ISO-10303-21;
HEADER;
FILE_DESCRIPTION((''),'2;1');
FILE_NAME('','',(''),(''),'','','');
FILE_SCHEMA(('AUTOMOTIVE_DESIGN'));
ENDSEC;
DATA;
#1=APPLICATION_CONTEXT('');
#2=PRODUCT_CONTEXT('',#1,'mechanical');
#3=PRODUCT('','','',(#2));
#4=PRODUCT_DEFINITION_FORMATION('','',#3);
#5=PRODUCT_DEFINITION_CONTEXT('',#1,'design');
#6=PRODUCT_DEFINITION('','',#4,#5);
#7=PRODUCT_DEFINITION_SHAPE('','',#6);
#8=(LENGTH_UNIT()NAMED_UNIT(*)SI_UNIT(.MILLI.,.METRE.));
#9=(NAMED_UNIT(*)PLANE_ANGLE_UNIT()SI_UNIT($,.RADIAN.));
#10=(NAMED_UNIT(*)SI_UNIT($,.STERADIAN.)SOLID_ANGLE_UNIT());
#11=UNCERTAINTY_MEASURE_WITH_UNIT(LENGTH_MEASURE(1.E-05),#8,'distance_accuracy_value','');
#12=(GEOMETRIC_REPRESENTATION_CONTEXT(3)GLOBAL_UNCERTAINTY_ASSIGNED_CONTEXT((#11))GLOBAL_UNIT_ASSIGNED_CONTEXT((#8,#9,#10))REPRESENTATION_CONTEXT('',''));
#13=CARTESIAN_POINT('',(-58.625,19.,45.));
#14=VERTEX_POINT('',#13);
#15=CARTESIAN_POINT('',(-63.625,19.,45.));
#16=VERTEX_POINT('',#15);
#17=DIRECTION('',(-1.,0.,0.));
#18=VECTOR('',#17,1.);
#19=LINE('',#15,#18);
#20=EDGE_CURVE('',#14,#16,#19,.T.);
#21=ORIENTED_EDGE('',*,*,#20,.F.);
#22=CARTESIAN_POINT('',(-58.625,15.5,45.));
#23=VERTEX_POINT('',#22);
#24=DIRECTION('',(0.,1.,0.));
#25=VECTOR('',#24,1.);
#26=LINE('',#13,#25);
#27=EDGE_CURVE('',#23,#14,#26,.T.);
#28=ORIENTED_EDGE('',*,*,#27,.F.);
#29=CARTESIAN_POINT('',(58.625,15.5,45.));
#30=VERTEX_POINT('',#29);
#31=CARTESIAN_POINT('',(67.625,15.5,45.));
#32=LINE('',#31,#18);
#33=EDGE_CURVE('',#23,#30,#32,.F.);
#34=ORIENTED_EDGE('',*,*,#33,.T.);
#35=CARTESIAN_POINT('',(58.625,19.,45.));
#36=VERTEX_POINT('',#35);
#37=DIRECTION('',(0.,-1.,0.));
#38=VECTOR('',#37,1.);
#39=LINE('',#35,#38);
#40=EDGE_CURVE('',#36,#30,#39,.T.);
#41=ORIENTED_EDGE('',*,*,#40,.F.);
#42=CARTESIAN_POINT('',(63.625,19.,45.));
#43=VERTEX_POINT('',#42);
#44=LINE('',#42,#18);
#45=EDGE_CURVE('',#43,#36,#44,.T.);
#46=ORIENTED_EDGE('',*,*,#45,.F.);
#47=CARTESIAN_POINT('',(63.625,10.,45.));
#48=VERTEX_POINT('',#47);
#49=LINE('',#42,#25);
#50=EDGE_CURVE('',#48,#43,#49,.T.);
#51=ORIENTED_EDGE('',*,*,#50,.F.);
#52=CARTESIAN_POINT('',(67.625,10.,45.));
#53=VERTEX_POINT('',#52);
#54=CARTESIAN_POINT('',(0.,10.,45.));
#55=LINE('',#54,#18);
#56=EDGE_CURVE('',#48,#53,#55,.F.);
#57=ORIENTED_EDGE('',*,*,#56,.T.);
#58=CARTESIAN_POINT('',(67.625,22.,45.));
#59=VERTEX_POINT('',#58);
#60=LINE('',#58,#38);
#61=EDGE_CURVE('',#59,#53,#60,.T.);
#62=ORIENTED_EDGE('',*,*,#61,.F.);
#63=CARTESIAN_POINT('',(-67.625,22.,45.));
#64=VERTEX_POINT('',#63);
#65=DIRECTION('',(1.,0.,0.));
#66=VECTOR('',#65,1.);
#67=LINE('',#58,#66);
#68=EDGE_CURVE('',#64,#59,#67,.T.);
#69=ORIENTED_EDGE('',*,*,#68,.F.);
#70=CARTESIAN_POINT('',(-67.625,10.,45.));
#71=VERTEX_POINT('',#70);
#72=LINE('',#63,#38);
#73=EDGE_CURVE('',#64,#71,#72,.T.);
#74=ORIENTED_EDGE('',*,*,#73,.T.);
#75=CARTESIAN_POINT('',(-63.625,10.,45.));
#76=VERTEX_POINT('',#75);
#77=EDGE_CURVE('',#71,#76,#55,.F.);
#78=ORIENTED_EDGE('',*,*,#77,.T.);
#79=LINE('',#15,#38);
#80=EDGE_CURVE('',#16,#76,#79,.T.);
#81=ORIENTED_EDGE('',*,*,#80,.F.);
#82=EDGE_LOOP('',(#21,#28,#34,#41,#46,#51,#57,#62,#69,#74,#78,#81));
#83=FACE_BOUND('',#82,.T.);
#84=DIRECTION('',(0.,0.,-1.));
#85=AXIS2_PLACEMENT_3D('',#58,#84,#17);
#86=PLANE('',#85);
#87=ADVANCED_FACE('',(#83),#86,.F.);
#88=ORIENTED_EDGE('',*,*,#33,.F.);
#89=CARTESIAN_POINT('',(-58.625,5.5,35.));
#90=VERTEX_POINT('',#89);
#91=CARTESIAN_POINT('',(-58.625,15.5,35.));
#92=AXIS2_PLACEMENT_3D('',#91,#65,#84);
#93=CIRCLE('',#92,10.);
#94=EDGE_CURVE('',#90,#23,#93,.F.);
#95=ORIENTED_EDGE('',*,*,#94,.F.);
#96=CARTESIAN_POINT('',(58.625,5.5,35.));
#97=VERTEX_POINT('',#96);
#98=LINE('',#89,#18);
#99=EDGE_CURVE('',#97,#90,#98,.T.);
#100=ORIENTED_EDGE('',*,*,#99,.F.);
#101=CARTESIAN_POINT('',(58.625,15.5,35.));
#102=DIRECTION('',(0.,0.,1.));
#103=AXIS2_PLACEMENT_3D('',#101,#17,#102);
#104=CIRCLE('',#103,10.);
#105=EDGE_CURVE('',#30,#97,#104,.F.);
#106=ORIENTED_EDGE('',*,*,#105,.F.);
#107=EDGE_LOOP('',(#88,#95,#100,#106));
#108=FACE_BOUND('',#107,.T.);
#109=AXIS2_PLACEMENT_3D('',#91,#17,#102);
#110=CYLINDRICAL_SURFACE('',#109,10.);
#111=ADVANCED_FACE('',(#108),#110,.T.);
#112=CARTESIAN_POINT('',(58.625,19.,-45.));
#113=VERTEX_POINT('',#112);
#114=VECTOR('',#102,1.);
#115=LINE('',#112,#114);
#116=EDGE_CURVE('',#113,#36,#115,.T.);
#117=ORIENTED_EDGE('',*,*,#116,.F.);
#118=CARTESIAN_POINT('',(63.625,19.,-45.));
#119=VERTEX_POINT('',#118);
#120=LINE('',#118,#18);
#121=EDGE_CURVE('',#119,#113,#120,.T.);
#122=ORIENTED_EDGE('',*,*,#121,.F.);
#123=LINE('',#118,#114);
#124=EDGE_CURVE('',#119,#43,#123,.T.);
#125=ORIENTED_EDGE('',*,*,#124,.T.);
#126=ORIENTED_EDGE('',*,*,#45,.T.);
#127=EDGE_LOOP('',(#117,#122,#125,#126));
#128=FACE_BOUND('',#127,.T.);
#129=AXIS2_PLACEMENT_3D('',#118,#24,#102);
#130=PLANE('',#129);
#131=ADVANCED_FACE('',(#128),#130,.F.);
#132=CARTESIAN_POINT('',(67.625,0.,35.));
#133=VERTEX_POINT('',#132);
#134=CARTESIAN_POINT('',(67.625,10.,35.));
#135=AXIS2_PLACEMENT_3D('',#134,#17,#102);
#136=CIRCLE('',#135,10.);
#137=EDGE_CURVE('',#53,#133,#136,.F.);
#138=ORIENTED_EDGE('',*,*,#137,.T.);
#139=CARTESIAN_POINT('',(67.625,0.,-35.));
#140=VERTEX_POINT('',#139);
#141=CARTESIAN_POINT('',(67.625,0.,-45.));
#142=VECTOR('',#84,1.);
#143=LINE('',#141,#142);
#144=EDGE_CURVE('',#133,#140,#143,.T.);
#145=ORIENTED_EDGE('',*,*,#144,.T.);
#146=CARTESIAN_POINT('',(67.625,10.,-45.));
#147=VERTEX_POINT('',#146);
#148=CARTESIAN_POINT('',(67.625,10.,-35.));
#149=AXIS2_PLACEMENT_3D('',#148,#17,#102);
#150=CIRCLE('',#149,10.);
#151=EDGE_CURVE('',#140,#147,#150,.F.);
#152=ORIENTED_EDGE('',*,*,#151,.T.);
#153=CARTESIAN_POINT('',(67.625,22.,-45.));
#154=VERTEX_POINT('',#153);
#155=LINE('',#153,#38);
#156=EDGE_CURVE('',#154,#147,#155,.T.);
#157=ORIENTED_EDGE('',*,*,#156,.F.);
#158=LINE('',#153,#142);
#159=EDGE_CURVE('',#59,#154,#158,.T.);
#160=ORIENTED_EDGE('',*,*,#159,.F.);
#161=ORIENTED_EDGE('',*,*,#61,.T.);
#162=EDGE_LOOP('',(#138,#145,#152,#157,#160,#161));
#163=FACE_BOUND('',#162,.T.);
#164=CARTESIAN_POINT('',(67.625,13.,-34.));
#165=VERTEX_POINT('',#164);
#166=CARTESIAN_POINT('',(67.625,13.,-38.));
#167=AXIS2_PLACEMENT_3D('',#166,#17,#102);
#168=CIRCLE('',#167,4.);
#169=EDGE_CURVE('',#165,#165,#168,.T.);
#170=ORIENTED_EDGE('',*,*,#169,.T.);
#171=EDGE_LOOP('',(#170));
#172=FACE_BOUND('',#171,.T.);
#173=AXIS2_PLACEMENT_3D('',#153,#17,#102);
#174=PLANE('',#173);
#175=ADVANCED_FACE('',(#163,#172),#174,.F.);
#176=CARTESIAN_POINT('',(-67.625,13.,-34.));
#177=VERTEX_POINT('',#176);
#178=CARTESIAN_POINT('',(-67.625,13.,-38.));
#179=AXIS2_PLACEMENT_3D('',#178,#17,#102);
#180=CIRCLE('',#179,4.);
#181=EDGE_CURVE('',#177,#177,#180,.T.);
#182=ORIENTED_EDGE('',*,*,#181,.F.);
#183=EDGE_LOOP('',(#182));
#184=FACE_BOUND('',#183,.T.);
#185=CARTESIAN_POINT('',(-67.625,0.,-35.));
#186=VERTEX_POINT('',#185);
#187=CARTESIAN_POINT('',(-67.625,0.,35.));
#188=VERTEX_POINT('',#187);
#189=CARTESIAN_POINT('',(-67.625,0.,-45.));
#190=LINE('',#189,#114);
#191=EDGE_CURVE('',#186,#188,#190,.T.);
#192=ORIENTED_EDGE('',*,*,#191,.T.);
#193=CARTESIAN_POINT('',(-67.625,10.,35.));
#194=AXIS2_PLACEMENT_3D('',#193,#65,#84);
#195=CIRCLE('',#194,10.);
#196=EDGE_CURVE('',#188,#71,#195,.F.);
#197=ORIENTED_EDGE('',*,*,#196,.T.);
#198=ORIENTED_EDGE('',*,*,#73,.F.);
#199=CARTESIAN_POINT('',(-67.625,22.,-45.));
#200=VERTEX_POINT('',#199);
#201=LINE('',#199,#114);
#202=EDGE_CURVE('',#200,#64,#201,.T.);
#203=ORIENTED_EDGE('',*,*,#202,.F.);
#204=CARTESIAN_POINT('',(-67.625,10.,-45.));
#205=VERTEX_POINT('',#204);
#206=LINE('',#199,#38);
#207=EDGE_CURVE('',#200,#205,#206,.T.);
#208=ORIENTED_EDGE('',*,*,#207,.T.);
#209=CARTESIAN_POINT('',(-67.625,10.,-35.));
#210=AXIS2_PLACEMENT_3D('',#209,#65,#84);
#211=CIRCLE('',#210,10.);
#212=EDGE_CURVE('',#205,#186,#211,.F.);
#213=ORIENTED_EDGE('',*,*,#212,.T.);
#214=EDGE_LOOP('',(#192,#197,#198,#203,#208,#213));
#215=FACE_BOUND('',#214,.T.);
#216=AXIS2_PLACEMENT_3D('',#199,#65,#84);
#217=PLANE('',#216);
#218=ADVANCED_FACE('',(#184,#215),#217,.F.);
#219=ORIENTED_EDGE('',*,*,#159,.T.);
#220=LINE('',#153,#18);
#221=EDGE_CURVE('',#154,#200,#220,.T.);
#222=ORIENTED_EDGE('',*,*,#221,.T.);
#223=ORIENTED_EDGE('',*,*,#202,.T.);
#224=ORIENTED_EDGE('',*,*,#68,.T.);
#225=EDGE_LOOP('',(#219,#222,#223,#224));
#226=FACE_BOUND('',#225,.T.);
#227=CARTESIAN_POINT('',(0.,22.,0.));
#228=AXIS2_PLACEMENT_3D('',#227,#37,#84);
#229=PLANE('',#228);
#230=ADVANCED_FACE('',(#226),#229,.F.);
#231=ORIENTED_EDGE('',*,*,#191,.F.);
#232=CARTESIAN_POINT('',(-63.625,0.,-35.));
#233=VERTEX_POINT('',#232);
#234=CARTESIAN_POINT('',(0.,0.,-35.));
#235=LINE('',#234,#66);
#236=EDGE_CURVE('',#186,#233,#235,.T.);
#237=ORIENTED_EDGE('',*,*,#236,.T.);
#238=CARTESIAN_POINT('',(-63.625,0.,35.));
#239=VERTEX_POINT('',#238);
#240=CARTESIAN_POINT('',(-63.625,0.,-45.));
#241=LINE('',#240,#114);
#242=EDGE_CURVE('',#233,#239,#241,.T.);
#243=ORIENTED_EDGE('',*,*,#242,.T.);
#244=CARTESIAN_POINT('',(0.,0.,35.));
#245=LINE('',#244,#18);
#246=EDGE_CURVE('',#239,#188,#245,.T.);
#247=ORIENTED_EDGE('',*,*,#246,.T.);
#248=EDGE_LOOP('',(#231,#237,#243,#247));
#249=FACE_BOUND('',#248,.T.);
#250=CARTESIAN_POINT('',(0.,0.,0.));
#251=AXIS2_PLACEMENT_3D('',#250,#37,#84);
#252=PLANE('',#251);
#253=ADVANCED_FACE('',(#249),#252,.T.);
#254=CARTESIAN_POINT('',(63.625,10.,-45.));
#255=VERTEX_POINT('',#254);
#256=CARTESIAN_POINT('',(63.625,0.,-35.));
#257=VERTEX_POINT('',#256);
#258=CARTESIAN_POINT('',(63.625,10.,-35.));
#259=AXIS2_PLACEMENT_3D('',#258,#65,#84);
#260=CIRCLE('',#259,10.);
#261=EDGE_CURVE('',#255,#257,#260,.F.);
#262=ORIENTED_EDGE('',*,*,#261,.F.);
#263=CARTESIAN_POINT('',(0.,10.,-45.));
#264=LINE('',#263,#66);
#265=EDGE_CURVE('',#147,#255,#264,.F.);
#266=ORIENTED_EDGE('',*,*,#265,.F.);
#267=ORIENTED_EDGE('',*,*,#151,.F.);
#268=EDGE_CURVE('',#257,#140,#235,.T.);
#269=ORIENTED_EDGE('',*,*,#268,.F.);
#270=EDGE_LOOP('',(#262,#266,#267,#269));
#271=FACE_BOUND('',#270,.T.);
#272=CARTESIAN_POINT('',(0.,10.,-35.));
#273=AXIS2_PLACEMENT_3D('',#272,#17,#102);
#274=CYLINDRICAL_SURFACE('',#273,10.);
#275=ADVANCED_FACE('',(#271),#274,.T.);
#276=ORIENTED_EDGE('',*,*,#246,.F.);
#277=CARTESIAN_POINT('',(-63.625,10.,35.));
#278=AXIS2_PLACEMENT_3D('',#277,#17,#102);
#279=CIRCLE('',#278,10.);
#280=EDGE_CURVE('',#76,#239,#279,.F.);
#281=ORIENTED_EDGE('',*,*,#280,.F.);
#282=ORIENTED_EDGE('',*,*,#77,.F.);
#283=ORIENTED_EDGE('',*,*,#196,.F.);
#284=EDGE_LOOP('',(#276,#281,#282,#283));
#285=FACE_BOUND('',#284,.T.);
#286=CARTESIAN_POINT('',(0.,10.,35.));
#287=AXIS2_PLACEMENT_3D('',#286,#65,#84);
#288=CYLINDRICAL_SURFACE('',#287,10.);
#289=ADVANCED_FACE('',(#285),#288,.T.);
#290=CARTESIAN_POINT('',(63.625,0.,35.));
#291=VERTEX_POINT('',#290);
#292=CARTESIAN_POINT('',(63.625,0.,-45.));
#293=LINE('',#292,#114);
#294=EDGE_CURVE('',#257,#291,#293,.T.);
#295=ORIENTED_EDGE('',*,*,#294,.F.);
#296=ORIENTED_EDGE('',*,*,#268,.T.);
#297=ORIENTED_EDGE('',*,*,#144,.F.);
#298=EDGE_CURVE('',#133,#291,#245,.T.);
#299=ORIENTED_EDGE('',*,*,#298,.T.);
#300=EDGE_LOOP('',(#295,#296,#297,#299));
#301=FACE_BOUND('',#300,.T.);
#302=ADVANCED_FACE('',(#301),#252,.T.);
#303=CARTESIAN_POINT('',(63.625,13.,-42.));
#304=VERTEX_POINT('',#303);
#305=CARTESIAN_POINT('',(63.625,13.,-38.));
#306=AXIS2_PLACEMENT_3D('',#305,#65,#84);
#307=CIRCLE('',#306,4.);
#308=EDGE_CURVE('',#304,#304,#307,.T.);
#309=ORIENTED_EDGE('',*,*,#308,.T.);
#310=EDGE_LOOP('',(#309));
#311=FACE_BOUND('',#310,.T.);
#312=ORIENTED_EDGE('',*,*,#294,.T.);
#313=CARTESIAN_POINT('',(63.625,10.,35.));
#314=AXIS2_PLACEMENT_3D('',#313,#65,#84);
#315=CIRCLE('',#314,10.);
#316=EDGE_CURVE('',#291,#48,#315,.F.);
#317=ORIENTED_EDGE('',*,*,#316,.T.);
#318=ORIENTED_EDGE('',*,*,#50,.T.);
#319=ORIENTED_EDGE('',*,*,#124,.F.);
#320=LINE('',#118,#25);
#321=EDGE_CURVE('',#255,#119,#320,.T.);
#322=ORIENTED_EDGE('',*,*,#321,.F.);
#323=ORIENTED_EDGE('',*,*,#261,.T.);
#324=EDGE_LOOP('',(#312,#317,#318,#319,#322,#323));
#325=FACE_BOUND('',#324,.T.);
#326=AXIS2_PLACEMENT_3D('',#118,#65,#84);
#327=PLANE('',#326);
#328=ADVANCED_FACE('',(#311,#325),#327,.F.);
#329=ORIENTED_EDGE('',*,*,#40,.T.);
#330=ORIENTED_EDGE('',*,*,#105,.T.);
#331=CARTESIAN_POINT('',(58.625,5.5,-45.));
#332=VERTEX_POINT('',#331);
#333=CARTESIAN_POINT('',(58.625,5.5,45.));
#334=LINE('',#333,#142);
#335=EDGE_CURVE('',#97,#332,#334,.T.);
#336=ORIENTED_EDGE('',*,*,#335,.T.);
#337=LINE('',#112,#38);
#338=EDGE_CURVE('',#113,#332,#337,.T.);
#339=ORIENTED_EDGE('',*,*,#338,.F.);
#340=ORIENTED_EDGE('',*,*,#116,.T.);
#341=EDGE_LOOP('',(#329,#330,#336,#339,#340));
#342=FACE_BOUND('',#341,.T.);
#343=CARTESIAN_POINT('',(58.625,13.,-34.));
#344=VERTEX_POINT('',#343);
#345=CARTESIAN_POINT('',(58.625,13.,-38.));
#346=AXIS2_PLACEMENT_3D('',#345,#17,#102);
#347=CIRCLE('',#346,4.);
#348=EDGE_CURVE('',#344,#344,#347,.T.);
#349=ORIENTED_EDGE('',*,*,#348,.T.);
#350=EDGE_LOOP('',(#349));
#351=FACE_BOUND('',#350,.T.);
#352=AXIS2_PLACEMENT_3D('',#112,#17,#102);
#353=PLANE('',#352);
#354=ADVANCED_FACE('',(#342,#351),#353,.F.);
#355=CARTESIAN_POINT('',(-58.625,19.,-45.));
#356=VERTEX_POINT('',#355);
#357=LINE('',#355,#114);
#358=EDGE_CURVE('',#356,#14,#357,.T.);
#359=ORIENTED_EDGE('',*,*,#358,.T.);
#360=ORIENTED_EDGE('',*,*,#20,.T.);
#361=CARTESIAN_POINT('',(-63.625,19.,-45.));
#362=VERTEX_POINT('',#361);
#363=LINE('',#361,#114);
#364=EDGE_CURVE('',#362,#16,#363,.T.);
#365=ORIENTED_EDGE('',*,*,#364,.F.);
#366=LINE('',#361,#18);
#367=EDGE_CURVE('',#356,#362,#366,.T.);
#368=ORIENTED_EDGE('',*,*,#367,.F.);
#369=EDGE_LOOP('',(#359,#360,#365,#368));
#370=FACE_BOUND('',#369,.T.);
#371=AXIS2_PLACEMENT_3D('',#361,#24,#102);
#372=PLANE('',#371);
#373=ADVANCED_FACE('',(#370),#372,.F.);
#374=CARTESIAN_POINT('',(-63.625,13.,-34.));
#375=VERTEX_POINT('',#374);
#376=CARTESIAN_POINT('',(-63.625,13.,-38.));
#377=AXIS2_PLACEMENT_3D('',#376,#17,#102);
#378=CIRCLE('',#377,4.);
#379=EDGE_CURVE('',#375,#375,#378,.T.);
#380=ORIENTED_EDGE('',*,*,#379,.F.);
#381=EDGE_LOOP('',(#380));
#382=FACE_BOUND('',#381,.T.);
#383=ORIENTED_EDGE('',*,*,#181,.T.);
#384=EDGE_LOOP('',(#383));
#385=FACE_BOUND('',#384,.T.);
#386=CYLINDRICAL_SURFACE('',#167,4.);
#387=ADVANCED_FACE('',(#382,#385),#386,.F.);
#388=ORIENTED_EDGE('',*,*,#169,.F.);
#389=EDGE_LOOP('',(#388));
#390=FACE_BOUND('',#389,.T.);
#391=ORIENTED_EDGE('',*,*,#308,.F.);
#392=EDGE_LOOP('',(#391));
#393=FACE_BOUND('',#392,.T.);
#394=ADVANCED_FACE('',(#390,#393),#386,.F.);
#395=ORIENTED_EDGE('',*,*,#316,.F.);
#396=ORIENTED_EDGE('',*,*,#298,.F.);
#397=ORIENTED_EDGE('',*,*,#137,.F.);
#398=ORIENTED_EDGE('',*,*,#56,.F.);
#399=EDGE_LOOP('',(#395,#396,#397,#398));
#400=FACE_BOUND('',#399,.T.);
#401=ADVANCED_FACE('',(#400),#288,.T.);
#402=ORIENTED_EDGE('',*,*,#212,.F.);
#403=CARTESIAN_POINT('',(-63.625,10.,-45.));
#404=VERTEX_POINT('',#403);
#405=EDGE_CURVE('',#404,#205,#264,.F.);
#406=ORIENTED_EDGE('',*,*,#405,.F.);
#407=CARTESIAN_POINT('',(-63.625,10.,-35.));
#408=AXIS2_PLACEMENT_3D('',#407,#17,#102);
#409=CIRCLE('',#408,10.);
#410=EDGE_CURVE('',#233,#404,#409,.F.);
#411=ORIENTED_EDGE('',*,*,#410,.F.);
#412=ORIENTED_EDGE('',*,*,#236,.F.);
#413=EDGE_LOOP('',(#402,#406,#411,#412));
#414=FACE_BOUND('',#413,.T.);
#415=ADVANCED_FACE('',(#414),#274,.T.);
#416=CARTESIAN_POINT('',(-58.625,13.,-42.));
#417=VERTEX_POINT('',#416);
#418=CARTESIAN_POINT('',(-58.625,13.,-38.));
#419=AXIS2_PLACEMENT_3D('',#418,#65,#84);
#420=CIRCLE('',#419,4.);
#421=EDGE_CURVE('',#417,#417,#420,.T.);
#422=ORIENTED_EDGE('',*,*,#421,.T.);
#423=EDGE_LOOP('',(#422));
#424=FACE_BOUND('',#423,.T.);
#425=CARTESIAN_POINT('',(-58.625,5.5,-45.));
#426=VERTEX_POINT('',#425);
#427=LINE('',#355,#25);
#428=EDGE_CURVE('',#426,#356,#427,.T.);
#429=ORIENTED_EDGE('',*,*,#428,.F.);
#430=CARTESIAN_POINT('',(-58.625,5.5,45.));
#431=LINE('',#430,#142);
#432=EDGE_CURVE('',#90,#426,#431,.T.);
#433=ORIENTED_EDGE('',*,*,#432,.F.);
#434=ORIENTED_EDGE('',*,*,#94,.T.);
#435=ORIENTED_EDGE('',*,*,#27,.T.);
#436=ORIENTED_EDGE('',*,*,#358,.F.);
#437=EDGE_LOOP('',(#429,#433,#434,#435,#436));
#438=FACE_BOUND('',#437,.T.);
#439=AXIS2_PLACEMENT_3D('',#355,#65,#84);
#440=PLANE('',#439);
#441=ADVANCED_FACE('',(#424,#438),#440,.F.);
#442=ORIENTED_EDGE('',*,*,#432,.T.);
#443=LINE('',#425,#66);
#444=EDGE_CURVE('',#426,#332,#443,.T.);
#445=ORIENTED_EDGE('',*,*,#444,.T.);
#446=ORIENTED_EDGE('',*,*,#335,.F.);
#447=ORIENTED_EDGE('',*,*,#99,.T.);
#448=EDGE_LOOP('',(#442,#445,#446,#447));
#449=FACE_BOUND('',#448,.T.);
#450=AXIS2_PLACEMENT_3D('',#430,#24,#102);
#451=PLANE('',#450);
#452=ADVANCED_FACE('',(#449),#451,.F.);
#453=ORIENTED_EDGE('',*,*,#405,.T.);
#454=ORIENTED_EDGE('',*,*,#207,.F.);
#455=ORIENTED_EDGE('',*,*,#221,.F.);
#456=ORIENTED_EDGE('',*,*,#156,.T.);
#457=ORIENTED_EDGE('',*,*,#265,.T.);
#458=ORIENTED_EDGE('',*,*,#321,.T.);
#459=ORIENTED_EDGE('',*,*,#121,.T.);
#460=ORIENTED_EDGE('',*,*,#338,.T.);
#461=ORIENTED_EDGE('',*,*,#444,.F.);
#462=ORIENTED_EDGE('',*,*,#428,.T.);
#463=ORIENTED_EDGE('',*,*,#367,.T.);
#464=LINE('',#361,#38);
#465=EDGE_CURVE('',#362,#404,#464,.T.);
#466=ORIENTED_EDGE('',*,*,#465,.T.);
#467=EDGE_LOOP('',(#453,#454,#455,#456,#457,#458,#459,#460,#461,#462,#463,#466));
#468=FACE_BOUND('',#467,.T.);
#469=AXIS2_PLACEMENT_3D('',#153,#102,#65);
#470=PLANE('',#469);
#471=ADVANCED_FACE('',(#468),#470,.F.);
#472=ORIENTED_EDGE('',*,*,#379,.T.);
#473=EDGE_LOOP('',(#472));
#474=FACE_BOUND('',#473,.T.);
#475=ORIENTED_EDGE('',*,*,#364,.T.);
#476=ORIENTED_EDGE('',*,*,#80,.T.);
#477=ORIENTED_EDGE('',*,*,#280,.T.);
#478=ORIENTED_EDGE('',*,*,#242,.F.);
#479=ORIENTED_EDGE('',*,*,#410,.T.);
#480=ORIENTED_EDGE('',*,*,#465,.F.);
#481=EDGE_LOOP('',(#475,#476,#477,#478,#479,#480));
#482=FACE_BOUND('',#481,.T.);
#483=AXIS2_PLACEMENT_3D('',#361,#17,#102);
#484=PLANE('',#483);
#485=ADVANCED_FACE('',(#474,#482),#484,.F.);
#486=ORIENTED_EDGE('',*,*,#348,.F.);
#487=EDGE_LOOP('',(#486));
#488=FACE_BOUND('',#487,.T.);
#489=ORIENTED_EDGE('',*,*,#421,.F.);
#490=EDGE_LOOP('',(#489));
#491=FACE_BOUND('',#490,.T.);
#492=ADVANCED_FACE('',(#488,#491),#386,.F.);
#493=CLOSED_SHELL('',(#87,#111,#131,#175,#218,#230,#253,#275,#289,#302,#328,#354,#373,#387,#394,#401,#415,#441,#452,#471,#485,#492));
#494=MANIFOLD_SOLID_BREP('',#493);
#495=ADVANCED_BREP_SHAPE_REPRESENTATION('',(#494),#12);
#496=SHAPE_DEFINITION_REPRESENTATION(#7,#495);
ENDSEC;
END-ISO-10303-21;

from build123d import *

# Parameters (mm, degrees)
SKETCH1_W           = 135.25
SKETCH1_H           = 90
BOSS_EXTRUDE1_DEPTH = 22
SKETCH4_W           = 5
SKETCH4_H           = 19
CUT_EXTRUDE1_DEPTH  = 91
SKETCH5_W           = 117.25
SKETCH5_H           = 11
CUT_EXTRUDE2_DEPTH  = 91
FILLET1_R           = 10
FILLET2_R           = 10
FILLET3_R           = 10
FILLET4_R           = 10
FILLET5_R           = 10
SKETCH6_R           = 4
CUT_EXTRUDE3_DEPTH  = 136.25


with BuildPart() as part:
    # Sketch1 → Boss-Extrude1 (new body)
    with BuildSketch(Plane(origin=(0, 0, 0), x_dir=(1, 0, 0), z_dir=(0, 1, 0))):
        Rectangle(SKETCH1_W, SKETCH1_H)
    extrude(amount=BOSS_EXTRUDE1_DEPTH)

    # Sketch4 → Cut-Extrude1 (cut, through all)
    with BuildSketch(Plane.XY.offset(45)):
        with Locations((-61.125, 9.5)):
            Rectangle(SKETCH4_W, SKETCH4_H)
        with Locations((61.125, 9.5)):
            Rectangle(SKETCH4_W, SKETCH4_H)
    extrude(amount=-CUT_EXTRUDE1_DEPTH, mode=Mode.SUBTRACT)

    # Sketch5 → Cut-Extrude2 (cut, through all)
    with BuildSketch(Plane(origin=(0, 0, -45), x_dir=(-1, 0, 0), z_dir=(0, 0, -1))):
        Rectangle(SKETCH5_W, SKETCH5_H)
    extrude(amount=-CUT_EXTRUDE2_DEPTH, mode=Mode.SUBTRACT)

    # Fillet1
    fillet1_edges = [part.edges().sort_by_distance(p)[0] for p in [
        (0, 5.5, 45),
    ]]
    fillet(fillet1_edges, radius=FILLET1_R)

    # Fillet2
    fillet2_edges = [part.edges().sort_by_distance(p)[0] for p in [
        (-65.625, 0, 45),
    ]]
    fillet(fillet2_edges, radius=FILLET2_R)

    # Fillet3
    fillet3_edges = [part.edges().sort_by_distance(p)[0] for p in [
        (65.625, 0, 45),
    ]]
    fillet(fillet3_edges, radius=FILLET3_R)

    # Fillet4
    fillet4_edges = [part.edges().sort_by_distance(p)[0] for p in [
        (-65.625, 0, -45),
    ]]
    fillet(fillet4_edges, radius=FILLET4_R)

    # Fillet5
    fillet5_edges = [part.edges().sort_by_distance(p)[0] for p in [
        (65.625, 0, -45),
    ]]
    fillet(fillet5_edges, radius=FILLET5_R)

    # Sketch6 → Cut-Extrude3 (cut, through all)
    with BuildSketch(Plane.ZY.offset(67.625)):
        with Locations((-38, 13)):
            Circle(SKETCH6_R)
    extrude(amount=-CUT_EXTRUDE3_DEPTH, mode=Mode.SUBTRACT)


solid = part.part
